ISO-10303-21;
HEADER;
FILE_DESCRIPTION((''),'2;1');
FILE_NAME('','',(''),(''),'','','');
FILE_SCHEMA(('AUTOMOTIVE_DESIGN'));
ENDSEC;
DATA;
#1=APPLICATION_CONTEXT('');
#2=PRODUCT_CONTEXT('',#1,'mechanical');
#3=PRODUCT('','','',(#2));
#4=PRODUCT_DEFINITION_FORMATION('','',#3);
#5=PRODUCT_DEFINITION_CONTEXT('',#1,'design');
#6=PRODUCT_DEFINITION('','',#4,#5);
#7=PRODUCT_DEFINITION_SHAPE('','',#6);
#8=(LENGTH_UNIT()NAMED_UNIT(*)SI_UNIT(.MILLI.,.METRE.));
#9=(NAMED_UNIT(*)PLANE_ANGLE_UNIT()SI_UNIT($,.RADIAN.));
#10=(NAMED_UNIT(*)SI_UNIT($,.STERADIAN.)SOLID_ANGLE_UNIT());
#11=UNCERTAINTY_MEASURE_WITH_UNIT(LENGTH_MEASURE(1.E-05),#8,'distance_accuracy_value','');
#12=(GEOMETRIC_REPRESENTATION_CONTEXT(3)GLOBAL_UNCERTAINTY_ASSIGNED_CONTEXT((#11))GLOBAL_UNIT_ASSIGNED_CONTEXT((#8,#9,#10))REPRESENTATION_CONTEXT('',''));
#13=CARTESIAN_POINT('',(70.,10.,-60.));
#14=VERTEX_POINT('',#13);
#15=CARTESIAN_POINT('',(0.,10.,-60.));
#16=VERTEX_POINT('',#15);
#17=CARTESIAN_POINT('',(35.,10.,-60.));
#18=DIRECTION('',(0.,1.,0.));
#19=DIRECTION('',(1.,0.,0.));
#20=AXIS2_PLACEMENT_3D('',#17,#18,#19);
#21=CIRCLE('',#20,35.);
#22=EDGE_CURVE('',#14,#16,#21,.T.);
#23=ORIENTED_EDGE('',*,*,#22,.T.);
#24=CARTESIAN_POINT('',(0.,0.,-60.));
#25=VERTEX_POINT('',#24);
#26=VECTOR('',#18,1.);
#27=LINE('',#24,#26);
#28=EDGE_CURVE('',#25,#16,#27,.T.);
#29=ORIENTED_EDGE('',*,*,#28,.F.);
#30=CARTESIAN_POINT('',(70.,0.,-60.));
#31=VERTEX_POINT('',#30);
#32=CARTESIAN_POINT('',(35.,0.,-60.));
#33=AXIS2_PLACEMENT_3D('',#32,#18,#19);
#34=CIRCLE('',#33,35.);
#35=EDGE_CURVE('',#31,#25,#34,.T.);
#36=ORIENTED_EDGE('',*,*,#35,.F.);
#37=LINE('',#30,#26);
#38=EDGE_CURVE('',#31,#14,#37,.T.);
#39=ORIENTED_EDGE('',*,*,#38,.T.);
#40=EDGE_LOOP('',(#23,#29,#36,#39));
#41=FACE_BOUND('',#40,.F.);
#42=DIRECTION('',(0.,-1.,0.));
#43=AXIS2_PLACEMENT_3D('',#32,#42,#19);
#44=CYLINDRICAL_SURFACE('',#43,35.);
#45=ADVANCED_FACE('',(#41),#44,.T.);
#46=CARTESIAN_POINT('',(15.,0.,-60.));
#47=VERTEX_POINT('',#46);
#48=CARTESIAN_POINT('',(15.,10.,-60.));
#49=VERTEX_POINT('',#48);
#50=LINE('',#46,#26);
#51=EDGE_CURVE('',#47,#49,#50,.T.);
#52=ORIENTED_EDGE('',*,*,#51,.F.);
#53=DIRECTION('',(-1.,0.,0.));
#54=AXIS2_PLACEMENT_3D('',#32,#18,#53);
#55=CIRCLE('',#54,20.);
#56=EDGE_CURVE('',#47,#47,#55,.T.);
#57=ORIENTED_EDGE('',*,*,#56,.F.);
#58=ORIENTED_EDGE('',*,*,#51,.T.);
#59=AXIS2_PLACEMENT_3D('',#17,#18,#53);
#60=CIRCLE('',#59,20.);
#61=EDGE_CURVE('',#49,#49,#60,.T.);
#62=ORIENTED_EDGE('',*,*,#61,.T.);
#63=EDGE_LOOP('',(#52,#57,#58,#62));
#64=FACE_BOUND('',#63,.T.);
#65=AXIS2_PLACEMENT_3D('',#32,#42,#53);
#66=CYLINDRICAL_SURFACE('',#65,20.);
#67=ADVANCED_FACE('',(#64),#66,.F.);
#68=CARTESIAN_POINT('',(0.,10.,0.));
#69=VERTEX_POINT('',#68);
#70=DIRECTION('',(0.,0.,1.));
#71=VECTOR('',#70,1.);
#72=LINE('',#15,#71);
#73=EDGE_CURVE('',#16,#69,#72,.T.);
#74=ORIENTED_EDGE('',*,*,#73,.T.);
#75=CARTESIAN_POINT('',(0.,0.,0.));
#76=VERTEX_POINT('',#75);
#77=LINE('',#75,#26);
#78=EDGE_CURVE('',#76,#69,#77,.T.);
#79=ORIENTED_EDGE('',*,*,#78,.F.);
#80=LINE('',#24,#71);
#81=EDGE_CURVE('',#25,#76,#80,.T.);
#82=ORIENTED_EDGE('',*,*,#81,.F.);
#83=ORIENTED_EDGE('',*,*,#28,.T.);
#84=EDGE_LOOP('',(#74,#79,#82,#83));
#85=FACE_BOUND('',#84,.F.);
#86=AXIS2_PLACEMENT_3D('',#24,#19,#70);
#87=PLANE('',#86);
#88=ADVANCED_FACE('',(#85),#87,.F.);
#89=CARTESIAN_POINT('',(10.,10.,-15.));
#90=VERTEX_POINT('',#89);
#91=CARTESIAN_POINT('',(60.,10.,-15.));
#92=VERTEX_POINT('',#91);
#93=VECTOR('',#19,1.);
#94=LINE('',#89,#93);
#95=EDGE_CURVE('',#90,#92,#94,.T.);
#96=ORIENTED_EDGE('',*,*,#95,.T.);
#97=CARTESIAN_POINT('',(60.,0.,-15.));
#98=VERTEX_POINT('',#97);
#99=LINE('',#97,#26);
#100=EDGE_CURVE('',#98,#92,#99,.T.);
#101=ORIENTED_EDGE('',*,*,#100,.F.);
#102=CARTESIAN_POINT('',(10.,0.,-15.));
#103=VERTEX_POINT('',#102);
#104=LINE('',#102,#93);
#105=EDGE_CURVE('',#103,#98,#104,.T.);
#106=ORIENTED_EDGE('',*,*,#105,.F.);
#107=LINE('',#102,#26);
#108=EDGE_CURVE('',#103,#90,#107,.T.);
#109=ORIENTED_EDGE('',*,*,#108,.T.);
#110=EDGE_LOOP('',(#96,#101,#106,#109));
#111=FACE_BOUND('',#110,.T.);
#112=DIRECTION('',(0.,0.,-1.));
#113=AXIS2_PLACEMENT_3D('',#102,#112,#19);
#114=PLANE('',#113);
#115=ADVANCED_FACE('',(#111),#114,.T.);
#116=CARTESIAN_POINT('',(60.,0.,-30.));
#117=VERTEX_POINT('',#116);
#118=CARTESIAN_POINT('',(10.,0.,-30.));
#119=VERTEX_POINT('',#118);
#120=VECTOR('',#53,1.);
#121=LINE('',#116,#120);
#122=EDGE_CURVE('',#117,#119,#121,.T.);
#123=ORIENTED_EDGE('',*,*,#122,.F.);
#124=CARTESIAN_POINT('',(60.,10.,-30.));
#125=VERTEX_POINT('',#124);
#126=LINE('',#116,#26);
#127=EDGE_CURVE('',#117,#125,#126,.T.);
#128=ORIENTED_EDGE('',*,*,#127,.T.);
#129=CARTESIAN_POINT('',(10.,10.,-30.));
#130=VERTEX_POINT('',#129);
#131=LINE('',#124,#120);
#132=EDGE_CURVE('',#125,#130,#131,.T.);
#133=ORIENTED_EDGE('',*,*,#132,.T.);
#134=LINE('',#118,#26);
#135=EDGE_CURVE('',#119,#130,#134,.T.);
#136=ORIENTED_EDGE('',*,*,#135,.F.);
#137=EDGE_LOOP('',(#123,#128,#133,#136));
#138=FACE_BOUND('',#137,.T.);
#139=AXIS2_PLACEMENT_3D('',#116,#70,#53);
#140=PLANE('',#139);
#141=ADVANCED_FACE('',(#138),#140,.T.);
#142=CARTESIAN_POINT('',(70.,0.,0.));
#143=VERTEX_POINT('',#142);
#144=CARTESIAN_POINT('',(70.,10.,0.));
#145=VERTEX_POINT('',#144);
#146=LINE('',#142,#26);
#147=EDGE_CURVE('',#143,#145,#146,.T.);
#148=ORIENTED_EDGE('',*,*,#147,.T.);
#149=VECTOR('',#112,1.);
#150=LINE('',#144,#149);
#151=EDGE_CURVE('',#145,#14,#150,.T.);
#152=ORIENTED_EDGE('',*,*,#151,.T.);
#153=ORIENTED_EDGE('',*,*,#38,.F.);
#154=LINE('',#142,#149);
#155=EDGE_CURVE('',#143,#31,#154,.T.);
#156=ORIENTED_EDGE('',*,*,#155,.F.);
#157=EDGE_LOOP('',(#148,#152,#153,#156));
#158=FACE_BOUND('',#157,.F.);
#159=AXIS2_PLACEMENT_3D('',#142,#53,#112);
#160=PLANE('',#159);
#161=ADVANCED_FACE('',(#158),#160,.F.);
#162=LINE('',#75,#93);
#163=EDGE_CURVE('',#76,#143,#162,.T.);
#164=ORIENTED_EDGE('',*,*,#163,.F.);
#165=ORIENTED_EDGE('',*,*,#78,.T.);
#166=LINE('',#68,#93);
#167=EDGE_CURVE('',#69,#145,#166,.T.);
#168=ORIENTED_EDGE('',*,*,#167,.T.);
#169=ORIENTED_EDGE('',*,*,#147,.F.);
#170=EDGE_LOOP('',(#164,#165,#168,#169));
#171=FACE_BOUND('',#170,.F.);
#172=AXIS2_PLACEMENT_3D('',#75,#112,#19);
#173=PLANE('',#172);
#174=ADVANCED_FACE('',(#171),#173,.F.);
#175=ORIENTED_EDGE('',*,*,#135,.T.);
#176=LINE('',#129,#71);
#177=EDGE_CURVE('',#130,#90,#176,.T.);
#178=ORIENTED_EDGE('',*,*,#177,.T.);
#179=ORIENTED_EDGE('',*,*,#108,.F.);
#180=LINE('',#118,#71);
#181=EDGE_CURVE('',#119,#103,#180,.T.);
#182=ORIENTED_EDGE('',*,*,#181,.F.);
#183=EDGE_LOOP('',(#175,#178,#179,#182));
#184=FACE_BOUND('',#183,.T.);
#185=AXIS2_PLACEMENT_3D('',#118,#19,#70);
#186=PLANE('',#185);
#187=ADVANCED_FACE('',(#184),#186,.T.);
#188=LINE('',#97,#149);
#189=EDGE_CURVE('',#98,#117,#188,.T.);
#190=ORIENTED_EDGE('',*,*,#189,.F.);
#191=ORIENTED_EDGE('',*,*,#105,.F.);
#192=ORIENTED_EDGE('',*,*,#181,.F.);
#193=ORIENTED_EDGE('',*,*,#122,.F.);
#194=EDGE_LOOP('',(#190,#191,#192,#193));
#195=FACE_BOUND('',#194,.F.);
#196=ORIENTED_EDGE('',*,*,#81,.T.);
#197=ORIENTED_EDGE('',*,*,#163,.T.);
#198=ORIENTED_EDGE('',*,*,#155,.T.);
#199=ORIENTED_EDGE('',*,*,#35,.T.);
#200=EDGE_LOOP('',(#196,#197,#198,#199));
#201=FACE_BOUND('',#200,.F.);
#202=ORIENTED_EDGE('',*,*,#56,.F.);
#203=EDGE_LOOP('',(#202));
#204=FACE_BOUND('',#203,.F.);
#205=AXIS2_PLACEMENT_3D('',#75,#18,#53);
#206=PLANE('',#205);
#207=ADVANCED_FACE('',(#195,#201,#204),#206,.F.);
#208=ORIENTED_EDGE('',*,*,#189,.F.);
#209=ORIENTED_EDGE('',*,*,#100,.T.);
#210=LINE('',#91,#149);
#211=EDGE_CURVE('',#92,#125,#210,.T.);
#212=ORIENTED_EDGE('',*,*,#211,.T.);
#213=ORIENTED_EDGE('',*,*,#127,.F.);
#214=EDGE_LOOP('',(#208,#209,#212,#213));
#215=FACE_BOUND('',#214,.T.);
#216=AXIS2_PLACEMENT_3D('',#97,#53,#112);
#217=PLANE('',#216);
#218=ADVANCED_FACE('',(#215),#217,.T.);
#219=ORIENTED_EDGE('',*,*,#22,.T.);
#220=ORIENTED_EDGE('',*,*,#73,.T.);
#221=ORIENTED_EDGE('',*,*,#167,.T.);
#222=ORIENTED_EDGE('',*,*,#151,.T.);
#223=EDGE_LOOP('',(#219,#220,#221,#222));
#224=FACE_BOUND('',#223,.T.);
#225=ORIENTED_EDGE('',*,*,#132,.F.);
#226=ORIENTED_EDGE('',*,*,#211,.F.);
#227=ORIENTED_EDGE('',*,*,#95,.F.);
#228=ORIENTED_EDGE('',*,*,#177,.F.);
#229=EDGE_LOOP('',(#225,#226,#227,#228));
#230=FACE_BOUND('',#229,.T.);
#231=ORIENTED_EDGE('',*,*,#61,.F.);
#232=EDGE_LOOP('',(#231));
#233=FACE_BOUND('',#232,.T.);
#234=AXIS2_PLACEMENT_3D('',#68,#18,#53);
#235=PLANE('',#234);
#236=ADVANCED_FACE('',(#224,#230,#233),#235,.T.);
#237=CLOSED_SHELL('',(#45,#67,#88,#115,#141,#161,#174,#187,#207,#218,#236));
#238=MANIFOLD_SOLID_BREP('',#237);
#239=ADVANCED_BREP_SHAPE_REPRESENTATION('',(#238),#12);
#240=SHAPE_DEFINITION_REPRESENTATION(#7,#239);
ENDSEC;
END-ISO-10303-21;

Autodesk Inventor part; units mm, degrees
ref_plane "YZ Plane" through (0, 0, 0) normal (1, 0, 0) x (0, 1, 0)
ref_plane "XZ Plane" through (0, 0, 0) normal (0, 1, 0) x (-1, 0, 0)
ref_plane "XY Plane" through (0, 0, 0) normal (0, 0, 1) x (1, 0, 0)
sketch "Sketch1" plane through (0, 0, 0) normal (0, 1, 0) x (-1, 0, 0)
  line L0 (0, 0) -> (-70, 0)
  line L1 (-70, 0) -> (-70, -60)
  line L2 (0, -60) -> (0, 0)
  arc A0 (-70, -60) -> (0, -60) centre (-35, -60) ccw
  circle A1 centre (-35, -60) radius 20
  line L3 (-10, -15) -> (-60, -15)
  line L4 (-60, -15) -> (-60, -30)
  line L5 (-60, -30) -> (-10, -30)
  line L6 (-10, -30) -> (-10, -15)
  dimension "d0" = 70
  dimension "d1" = 60
  dimension "d4" = 40
  dimension "d6" = 50
  dimension "d7" = 15
  dimension "d8" = 15
  dimension "d9" = 10
extrude "Extrusion1" add sketch "Sketch1" along normal blind 10
properties part number "Exercise_1"
